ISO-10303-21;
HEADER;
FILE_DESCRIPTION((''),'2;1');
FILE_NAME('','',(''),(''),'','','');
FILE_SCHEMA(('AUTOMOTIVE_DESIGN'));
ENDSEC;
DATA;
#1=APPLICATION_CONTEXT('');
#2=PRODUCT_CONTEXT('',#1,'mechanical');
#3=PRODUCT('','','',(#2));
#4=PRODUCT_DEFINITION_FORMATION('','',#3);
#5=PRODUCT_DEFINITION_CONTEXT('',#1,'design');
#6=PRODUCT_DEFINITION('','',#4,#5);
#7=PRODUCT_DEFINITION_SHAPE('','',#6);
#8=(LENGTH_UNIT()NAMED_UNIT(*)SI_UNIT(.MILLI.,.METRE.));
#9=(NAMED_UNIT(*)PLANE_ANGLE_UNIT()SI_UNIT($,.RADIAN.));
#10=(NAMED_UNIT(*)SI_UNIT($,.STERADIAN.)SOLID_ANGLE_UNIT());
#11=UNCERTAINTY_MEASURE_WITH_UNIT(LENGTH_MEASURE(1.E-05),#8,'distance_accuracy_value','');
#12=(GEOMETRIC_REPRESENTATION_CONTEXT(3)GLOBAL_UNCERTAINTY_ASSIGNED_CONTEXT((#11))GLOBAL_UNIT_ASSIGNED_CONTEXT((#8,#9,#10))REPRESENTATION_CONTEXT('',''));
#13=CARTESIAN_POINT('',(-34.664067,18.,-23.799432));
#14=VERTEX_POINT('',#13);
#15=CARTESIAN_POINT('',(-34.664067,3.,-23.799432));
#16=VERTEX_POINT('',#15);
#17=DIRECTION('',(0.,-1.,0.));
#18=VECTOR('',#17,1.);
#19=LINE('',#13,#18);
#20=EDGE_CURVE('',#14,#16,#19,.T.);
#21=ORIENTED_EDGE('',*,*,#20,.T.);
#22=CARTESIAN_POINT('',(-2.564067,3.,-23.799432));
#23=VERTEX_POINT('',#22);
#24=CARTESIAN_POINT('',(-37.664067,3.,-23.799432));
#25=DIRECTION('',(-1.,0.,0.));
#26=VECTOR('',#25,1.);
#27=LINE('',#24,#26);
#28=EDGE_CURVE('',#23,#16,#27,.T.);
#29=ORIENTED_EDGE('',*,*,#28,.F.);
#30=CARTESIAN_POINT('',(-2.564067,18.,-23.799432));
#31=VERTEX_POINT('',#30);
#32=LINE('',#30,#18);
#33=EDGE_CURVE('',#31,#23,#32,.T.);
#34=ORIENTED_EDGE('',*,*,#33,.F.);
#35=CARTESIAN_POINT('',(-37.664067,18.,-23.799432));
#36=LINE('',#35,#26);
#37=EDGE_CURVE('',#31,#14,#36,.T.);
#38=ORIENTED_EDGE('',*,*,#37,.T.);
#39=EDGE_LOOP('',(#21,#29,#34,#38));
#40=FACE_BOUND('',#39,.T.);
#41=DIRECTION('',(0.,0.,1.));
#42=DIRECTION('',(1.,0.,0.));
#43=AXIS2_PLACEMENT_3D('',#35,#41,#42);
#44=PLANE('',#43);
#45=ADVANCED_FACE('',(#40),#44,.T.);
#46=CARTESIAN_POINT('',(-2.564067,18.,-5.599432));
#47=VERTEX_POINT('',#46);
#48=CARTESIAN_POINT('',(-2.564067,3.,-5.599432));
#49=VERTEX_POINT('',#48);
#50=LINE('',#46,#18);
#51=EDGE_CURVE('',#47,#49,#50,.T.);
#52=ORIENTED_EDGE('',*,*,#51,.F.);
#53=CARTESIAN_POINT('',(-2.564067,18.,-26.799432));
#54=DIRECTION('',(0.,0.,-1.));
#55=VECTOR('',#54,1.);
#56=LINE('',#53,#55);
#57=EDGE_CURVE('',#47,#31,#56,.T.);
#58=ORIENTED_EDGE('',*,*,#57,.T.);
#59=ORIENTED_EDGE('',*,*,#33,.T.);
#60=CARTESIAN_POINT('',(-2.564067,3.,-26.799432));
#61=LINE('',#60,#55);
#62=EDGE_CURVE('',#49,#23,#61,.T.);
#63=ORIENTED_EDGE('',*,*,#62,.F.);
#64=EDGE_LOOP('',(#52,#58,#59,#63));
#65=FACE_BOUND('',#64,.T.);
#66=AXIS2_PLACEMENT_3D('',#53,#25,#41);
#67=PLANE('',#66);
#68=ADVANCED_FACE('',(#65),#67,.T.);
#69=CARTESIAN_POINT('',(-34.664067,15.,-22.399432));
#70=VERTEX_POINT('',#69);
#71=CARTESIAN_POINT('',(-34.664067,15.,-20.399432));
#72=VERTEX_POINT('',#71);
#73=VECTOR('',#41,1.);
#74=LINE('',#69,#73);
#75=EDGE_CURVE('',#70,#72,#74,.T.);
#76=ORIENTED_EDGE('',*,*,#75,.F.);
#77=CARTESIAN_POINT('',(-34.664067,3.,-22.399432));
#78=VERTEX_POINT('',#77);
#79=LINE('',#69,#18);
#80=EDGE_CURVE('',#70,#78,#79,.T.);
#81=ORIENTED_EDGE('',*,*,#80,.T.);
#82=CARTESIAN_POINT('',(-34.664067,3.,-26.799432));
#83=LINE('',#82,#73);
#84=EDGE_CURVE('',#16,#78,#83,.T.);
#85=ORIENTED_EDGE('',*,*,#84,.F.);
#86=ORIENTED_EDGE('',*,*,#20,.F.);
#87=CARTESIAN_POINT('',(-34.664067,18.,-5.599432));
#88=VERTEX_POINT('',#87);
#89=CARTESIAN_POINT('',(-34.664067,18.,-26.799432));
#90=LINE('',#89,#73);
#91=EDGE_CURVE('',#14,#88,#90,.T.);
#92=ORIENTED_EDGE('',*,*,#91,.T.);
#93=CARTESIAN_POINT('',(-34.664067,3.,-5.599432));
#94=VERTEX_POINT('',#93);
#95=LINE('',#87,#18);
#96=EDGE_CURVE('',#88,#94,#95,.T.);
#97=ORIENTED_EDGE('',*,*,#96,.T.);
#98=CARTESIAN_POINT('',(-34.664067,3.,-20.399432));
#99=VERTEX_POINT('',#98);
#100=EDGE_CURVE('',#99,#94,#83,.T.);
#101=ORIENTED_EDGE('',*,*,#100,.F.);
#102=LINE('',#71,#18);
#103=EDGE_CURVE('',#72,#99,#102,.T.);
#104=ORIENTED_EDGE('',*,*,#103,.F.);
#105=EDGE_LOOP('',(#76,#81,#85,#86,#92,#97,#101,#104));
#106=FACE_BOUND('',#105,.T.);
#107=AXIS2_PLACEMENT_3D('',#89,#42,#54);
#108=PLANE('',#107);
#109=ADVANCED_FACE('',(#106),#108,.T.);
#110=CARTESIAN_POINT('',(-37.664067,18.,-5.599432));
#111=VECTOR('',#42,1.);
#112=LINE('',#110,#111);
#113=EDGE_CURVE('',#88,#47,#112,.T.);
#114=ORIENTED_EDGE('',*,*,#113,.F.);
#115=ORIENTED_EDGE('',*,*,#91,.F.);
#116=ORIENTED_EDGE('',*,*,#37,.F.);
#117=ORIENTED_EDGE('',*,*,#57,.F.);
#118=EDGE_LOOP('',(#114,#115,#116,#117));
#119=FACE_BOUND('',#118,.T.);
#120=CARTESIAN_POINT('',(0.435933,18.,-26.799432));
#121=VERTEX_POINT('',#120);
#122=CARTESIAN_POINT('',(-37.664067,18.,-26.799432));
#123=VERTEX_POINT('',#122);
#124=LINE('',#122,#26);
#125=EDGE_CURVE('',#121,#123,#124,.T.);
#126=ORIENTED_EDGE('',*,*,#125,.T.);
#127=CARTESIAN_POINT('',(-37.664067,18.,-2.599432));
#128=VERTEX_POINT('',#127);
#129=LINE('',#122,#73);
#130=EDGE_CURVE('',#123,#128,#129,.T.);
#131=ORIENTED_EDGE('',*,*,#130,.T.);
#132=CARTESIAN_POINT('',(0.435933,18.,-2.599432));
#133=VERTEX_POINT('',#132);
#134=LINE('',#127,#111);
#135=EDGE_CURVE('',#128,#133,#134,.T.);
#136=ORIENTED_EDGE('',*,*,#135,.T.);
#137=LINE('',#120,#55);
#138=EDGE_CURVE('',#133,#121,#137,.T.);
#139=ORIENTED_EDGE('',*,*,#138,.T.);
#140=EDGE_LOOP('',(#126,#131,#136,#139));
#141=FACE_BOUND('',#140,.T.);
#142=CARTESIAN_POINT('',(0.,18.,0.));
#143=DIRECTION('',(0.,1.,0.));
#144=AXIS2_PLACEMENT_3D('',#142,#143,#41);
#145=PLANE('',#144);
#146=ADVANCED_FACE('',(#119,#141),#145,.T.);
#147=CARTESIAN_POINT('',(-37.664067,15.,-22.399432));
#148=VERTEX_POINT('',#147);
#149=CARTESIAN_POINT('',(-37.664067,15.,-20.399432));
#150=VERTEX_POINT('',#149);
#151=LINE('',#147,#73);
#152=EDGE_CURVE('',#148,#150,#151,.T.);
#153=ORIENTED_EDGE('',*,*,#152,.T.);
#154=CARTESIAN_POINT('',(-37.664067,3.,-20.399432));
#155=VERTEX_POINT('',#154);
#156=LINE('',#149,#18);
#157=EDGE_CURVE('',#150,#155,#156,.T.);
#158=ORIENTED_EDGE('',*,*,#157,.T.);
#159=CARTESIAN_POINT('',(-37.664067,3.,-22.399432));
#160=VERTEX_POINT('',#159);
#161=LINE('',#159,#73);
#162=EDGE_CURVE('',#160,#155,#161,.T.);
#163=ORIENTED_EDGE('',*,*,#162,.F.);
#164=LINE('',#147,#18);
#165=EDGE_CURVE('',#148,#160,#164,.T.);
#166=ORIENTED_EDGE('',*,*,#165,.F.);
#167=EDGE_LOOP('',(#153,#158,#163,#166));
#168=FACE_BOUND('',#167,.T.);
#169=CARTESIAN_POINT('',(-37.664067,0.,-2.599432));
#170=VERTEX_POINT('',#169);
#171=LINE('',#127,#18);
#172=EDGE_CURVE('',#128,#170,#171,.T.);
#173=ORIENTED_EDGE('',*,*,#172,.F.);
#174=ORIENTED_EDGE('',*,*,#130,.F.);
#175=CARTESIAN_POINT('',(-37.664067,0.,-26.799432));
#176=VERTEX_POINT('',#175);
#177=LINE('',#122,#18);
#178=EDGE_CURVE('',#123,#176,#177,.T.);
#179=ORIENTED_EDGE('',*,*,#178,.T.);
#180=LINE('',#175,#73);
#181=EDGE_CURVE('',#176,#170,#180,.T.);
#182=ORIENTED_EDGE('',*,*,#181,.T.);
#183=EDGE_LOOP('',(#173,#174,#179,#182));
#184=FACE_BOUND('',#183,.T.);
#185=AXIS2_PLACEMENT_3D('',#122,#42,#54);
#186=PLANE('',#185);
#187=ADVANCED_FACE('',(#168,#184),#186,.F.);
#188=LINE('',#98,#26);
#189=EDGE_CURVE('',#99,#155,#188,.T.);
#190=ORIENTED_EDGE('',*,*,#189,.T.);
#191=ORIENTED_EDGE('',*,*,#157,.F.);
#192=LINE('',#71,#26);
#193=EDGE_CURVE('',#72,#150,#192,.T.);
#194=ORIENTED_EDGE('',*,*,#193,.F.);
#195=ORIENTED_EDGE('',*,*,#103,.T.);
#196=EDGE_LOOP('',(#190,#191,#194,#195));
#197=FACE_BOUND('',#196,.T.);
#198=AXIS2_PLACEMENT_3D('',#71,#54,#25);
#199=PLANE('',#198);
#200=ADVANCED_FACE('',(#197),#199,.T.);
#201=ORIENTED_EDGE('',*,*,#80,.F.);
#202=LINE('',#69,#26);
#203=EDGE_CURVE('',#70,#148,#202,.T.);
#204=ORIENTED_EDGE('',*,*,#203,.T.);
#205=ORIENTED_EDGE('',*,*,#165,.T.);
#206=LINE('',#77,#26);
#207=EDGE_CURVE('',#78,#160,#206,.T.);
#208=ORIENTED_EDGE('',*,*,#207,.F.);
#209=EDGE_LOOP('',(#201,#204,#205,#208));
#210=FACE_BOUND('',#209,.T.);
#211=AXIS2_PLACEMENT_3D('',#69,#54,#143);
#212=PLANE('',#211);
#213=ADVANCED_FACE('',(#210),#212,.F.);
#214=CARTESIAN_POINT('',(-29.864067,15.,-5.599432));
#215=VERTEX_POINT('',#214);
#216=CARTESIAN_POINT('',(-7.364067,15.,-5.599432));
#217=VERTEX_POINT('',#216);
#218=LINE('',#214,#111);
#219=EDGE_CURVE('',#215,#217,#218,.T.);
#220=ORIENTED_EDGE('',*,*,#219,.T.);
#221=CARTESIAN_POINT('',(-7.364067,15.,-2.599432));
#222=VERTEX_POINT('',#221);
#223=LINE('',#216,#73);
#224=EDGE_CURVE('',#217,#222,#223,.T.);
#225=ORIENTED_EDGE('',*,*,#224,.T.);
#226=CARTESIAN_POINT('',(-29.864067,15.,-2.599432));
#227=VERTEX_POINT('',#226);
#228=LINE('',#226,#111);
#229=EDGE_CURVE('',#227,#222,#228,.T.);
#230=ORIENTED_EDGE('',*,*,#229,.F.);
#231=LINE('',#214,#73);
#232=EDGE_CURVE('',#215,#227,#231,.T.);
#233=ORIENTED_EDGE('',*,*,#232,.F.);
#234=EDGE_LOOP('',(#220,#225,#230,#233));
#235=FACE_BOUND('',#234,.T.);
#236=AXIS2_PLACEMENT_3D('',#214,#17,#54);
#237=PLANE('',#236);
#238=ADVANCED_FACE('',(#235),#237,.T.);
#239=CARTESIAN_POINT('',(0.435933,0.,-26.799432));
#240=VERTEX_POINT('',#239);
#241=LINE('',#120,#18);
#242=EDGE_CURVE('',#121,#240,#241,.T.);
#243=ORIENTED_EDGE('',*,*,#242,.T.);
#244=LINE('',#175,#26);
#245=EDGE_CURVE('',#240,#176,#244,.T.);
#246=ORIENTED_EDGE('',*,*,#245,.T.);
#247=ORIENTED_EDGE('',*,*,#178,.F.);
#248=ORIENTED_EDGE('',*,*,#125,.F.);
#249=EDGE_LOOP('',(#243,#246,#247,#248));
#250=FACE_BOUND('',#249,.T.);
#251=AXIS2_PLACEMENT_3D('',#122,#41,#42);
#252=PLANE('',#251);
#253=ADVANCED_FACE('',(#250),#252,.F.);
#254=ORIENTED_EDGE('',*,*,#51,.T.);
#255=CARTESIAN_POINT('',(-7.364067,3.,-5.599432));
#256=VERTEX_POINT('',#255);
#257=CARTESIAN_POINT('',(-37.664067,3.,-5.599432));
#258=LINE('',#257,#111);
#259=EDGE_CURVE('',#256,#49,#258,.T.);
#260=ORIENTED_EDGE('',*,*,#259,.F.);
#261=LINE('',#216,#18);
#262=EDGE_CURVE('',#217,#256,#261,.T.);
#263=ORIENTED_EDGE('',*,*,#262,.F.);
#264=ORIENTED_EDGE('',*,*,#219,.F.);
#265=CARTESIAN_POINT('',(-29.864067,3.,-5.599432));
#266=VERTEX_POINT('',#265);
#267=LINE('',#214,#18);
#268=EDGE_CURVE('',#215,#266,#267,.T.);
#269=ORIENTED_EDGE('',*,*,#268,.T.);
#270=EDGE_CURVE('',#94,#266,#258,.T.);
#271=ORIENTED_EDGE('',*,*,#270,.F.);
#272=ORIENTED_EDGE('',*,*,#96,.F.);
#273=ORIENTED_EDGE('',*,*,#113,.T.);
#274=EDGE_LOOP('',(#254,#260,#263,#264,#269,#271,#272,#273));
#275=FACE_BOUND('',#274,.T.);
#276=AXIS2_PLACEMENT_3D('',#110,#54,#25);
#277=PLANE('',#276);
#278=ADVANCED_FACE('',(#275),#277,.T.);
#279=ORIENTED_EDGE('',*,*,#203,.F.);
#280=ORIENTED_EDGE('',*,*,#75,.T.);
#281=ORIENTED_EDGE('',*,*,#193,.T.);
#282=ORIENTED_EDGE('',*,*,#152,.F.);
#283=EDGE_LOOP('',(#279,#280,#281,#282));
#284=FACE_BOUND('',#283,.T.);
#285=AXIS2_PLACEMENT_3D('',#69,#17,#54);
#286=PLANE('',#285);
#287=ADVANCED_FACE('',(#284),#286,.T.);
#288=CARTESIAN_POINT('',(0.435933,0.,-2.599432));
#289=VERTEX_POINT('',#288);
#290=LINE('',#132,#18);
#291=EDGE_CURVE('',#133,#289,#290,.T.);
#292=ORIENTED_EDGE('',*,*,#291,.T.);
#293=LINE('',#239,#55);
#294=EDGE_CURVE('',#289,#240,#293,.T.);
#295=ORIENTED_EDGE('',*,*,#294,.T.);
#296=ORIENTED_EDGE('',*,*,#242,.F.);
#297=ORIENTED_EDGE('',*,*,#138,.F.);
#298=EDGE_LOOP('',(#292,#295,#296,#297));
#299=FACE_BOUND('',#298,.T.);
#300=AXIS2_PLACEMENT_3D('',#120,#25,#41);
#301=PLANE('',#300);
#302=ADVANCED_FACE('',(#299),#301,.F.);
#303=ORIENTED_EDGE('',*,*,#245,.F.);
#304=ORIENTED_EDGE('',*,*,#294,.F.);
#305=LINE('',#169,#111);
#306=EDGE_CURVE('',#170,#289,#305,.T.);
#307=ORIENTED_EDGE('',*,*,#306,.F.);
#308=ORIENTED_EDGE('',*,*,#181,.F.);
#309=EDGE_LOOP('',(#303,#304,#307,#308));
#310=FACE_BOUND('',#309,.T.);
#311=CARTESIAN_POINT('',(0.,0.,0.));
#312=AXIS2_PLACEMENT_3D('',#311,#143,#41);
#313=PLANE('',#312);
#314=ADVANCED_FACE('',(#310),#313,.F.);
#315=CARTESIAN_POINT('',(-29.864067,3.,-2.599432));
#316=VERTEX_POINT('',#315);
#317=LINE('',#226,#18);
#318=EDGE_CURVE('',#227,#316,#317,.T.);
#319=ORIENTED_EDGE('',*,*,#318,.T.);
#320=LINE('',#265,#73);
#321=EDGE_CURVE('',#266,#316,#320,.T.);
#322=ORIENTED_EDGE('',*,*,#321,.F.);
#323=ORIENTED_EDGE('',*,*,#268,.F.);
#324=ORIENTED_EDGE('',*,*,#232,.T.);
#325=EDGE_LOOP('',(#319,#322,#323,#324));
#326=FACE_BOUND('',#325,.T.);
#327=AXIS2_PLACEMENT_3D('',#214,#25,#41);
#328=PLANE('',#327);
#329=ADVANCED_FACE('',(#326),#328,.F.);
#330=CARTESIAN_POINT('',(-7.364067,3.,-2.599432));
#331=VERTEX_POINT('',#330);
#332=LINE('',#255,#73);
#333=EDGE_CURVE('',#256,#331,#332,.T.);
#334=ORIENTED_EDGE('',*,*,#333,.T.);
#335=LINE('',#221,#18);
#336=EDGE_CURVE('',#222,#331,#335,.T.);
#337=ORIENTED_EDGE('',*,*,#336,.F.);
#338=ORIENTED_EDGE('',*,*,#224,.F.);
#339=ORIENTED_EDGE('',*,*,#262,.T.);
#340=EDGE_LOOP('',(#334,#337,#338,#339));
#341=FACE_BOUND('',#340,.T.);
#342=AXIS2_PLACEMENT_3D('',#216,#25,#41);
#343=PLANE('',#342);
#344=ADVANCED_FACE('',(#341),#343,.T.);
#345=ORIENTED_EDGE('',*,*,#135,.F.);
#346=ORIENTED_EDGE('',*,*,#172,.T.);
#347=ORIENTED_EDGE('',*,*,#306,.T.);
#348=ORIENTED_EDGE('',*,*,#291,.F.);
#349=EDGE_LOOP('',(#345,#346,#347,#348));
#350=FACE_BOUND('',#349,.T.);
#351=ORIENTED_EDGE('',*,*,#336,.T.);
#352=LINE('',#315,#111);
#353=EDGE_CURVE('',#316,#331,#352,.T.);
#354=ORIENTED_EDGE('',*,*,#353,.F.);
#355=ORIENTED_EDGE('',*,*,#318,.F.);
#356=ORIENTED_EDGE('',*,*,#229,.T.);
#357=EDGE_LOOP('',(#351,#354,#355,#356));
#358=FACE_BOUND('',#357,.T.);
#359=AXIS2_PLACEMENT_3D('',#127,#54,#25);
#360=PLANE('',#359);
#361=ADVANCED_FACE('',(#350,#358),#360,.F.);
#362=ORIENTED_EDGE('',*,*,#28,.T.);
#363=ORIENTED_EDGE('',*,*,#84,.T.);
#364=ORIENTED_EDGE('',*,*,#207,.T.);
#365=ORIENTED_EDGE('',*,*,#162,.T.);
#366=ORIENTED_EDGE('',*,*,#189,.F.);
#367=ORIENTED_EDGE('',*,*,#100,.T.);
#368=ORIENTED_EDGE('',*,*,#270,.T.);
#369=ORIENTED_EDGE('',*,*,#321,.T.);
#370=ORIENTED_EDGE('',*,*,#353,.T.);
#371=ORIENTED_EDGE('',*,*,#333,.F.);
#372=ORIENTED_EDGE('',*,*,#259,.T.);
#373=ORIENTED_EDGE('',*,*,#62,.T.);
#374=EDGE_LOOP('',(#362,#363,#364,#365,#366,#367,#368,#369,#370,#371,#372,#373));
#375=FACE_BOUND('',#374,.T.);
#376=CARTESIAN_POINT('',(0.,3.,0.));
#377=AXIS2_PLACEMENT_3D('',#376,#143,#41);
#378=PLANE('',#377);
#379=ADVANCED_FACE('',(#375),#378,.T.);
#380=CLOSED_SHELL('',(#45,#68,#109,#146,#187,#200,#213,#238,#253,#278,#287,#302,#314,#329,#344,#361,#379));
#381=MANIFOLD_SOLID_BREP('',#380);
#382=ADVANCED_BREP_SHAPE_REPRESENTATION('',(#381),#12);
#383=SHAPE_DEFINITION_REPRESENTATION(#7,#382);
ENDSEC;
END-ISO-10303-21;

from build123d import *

# Parameters (mm, degrees)
SKETCH1_W           = 38.1
SKETCH1_H           = 24.2
BOSS_EXTRUDE1_DEPTH = 18
SHELL1_T            = -3
SKETCH2_W           = 22.5
SKETCH2_H           = 12
CUT_EXTRUDE1_DEPTH  = 3
SKETCH3_W           = 2
SKETCH3_H           = 12
CUT_EXTRUDE2_DEPTH  = 3


with BuildPart() as part:
    # Sketch1 → Boss-Extrude1 (new body)
    with BuildSketch(Plane(origin=(0, 0, 0), x_dir=(1, 0, 0), z_dir=(0, 1, 0))):
        with Locations((-18.614066742, 14.699432105)):
            Rectangle(SKETCH1_W, SKETCH1_H)
    extrude(amount=BOSS_EXTRUDE1_DEPTH)

    # Shell1
    shell1_openings = [part.faces().sort_by_distance(p)[0] for p in [
        (-18.614066742, 18, -14.699432105),
    ]]
    offset(amount=SHELL1_T, openings=shell1_openings, kind=Kind.INTERSECTION)

    # Sketch2 → Cut-Extrude1 (cut)
    with BuildSketch(Plane.XY.offset(-2.599432105)):
        with Locations((-18.614066742, 9)):
            Rectangle(SKETCH2_W, SKETCH2_H)
    extrude(amount=-CUT_EXTRUDE1_DEPTH, mode=Mode.SUBTRACT)

    # Sketch3 → Cut-Extrude2 (cut)
    with BuildSketch(Plane.ZY.offset(37.664066742)):
        with Locations((-21.399432105, 9)):
            Rectangle(SKETCH3_W, SKETCH3_H)
    extrude(amount=-CUT_EXTRUDE2_DEPTH, mode=Mode.SUBTRACT)


solid = part.part
